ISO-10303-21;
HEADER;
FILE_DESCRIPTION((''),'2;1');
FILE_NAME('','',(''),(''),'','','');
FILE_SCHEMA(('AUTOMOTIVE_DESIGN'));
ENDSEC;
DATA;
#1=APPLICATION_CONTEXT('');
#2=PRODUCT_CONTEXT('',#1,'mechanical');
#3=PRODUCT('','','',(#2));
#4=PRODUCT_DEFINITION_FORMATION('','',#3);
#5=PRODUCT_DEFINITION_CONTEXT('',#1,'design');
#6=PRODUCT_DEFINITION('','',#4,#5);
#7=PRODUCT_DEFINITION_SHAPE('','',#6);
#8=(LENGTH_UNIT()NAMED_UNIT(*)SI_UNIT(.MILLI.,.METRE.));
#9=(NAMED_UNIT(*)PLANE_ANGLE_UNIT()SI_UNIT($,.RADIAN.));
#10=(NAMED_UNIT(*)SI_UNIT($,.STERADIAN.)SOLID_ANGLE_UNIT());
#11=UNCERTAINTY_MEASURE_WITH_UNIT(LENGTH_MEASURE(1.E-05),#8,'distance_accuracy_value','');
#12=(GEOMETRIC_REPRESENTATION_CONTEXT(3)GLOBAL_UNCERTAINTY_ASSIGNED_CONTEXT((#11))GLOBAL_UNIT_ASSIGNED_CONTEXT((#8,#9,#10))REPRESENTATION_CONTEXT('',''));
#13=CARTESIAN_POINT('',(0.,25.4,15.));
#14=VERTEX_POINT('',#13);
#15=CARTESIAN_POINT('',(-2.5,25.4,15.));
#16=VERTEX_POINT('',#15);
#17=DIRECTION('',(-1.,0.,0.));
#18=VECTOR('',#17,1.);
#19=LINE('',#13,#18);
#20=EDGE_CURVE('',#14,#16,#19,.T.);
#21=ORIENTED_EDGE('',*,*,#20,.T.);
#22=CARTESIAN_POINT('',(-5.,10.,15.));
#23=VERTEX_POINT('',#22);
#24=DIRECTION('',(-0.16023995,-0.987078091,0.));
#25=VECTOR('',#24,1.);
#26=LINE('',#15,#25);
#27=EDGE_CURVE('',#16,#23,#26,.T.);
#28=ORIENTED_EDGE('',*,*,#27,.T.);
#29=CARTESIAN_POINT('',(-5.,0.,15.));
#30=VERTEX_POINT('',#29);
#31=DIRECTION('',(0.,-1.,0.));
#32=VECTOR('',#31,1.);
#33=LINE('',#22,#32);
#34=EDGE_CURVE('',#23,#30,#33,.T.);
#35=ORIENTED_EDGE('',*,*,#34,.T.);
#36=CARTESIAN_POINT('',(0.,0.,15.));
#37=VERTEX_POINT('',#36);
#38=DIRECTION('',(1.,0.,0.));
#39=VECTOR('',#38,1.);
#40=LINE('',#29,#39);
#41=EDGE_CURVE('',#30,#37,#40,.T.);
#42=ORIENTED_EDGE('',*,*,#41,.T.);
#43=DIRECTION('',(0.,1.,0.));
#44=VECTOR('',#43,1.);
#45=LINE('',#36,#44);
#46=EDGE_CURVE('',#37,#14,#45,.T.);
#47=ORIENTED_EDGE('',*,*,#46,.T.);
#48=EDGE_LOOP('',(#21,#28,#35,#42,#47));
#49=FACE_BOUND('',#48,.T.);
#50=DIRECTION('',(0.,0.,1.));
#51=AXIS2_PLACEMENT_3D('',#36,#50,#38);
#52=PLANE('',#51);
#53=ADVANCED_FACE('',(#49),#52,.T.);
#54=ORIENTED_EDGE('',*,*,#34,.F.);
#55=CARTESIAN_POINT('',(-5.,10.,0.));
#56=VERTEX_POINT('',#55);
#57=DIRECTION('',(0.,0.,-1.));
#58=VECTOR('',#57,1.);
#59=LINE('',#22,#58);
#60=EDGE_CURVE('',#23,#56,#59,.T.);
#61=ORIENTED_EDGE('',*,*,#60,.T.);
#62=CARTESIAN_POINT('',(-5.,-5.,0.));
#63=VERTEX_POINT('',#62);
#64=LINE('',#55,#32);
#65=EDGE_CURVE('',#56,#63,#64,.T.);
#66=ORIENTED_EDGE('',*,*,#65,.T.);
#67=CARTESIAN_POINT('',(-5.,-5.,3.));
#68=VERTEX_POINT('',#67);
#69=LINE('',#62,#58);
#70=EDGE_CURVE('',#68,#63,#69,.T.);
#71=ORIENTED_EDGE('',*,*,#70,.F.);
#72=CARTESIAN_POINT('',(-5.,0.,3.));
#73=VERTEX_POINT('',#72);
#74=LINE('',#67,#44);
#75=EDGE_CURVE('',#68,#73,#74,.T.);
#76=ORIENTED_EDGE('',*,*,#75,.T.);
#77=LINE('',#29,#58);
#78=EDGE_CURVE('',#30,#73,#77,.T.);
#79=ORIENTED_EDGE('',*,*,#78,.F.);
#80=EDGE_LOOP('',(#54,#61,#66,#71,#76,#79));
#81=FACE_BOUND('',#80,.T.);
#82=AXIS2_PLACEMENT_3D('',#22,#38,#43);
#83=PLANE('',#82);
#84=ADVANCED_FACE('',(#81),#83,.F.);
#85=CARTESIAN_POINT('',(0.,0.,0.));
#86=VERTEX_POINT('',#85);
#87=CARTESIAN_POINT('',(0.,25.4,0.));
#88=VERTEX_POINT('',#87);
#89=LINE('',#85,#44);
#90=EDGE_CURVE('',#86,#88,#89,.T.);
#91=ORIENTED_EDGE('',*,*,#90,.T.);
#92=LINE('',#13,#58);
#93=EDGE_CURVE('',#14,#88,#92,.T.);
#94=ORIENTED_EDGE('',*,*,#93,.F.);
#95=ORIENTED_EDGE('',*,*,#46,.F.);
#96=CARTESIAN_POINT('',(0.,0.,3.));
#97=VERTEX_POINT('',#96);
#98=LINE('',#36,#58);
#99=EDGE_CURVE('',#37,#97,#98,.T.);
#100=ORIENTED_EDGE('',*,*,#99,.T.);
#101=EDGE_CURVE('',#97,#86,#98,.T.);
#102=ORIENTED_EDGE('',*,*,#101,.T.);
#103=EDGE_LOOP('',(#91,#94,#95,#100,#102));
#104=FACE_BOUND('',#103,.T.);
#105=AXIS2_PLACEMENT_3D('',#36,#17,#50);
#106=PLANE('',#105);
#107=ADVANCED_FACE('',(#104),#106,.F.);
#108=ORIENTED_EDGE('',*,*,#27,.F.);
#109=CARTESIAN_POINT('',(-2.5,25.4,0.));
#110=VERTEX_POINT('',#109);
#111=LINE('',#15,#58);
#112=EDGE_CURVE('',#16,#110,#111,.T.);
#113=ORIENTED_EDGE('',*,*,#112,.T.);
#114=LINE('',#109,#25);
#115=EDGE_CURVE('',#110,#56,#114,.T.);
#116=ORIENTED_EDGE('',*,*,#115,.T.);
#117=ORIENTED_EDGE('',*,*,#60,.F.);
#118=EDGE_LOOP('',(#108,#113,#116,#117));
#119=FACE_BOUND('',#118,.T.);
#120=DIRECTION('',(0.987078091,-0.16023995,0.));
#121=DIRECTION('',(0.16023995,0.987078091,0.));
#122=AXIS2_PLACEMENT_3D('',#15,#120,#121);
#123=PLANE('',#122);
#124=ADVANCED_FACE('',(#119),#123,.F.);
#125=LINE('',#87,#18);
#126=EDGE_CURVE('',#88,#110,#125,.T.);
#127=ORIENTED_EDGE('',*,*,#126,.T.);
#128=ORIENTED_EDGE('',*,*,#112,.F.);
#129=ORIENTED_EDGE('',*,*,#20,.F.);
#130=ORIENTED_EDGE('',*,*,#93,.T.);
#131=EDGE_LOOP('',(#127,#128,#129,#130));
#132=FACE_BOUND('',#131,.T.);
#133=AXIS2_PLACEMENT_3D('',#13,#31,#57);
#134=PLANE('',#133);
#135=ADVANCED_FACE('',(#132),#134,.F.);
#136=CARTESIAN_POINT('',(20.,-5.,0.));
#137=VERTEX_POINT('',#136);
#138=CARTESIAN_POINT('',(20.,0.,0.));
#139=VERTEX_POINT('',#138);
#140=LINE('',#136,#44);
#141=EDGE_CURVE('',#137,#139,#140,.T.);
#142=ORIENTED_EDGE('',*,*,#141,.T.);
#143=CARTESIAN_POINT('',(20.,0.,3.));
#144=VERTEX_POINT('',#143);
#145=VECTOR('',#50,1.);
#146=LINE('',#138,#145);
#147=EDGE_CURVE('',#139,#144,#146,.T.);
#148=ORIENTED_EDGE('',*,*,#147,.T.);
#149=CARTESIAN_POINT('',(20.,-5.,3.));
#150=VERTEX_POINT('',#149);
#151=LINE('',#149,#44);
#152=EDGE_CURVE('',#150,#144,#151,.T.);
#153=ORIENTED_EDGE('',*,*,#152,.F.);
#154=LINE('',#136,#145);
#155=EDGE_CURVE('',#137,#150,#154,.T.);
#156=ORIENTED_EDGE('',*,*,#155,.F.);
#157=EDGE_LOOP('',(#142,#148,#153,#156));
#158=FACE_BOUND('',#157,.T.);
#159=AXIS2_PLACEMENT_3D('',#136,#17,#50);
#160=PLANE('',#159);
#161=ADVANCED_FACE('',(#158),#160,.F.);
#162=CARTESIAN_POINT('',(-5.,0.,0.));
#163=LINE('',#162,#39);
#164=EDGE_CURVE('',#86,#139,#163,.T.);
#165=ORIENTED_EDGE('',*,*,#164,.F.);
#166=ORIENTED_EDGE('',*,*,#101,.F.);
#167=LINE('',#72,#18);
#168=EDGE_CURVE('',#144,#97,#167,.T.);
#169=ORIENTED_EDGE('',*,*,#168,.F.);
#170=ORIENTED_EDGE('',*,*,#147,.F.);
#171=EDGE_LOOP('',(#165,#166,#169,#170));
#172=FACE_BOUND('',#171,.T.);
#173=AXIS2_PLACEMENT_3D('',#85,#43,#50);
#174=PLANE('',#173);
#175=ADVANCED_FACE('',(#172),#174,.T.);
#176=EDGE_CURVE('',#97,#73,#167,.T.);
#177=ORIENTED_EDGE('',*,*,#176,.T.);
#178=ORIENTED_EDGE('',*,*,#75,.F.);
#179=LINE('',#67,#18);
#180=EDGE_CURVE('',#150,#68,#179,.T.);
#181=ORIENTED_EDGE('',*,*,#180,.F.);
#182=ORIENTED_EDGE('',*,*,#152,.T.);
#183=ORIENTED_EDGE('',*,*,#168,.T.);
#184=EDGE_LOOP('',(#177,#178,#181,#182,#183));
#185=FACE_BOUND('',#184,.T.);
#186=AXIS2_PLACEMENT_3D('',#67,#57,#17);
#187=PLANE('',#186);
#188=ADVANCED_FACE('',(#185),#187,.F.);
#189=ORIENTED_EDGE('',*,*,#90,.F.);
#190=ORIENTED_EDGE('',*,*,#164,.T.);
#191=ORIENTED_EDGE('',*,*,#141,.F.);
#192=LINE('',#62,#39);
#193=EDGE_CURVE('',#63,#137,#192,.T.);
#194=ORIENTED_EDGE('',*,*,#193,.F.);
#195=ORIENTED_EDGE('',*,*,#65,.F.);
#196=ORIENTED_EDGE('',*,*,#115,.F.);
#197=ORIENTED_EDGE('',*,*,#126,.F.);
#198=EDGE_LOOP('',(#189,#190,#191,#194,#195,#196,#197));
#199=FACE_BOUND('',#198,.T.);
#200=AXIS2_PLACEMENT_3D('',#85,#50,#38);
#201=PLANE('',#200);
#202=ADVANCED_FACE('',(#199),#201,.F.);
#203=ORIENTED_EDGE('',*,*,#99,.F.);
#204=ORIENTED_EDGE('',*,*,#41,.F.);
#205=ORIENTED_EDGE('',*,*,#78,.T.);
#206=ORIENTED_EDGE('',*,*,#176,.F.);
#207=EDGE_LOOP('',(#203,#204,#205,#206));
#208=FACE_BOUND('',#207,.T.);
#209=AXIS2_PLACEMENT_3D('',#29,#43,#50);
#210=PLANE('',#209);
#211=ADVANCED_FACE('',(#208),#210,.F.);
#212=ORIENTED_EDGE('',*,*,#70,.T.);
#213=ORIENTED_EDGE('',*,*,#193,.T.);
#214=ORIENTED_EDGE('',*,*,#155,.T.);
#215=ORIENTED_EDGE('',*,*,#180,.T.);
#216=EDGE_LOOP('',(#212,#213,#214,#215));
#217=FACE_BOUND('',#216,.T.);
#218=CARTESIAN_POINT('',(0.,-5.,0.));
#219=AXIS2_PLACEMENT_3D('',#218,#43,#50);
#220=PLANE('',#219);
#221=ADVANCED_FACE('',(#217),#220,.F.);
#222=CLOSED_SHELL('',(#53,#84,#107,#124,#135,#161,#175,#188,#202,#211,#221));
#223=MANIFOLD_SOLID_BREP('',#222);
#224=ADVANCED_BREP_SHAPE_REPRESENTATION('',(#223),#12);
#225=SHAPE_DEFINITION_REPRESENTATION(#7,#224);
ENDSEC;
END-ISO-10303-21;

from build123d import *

# Parameters (mm, degrees)
BOSS_EXTRUDE1_DEPTH = 15
SKETCH3_W           = 25
SKETCH3_H           = 3
BOSS_EXTRUDE2_DEPTH = 5


with BuildPart() as part:
    # Sketch2 → Boss-Extrude1 (new body)
    with BuildSketch(Plane.XY):
        Polygon((0, 0), (0, 25.4), (-2.5, 25.4), (-5, 10), (-5, 0), align=None)
    extrude(amount=BOSS_EXTRUDE1_DEPTH)

    # Sketch3 → Boss-Extrude2 (add)
    with BuildSketch(Plane.XZ):
        with Locations((7.5, 1.5)):
            Rectangle(SKETCH3_W, SKETCH3_H)
    extrude(amount=BOSS_EXTRUDE2_DEPTH)


solid = part.part
